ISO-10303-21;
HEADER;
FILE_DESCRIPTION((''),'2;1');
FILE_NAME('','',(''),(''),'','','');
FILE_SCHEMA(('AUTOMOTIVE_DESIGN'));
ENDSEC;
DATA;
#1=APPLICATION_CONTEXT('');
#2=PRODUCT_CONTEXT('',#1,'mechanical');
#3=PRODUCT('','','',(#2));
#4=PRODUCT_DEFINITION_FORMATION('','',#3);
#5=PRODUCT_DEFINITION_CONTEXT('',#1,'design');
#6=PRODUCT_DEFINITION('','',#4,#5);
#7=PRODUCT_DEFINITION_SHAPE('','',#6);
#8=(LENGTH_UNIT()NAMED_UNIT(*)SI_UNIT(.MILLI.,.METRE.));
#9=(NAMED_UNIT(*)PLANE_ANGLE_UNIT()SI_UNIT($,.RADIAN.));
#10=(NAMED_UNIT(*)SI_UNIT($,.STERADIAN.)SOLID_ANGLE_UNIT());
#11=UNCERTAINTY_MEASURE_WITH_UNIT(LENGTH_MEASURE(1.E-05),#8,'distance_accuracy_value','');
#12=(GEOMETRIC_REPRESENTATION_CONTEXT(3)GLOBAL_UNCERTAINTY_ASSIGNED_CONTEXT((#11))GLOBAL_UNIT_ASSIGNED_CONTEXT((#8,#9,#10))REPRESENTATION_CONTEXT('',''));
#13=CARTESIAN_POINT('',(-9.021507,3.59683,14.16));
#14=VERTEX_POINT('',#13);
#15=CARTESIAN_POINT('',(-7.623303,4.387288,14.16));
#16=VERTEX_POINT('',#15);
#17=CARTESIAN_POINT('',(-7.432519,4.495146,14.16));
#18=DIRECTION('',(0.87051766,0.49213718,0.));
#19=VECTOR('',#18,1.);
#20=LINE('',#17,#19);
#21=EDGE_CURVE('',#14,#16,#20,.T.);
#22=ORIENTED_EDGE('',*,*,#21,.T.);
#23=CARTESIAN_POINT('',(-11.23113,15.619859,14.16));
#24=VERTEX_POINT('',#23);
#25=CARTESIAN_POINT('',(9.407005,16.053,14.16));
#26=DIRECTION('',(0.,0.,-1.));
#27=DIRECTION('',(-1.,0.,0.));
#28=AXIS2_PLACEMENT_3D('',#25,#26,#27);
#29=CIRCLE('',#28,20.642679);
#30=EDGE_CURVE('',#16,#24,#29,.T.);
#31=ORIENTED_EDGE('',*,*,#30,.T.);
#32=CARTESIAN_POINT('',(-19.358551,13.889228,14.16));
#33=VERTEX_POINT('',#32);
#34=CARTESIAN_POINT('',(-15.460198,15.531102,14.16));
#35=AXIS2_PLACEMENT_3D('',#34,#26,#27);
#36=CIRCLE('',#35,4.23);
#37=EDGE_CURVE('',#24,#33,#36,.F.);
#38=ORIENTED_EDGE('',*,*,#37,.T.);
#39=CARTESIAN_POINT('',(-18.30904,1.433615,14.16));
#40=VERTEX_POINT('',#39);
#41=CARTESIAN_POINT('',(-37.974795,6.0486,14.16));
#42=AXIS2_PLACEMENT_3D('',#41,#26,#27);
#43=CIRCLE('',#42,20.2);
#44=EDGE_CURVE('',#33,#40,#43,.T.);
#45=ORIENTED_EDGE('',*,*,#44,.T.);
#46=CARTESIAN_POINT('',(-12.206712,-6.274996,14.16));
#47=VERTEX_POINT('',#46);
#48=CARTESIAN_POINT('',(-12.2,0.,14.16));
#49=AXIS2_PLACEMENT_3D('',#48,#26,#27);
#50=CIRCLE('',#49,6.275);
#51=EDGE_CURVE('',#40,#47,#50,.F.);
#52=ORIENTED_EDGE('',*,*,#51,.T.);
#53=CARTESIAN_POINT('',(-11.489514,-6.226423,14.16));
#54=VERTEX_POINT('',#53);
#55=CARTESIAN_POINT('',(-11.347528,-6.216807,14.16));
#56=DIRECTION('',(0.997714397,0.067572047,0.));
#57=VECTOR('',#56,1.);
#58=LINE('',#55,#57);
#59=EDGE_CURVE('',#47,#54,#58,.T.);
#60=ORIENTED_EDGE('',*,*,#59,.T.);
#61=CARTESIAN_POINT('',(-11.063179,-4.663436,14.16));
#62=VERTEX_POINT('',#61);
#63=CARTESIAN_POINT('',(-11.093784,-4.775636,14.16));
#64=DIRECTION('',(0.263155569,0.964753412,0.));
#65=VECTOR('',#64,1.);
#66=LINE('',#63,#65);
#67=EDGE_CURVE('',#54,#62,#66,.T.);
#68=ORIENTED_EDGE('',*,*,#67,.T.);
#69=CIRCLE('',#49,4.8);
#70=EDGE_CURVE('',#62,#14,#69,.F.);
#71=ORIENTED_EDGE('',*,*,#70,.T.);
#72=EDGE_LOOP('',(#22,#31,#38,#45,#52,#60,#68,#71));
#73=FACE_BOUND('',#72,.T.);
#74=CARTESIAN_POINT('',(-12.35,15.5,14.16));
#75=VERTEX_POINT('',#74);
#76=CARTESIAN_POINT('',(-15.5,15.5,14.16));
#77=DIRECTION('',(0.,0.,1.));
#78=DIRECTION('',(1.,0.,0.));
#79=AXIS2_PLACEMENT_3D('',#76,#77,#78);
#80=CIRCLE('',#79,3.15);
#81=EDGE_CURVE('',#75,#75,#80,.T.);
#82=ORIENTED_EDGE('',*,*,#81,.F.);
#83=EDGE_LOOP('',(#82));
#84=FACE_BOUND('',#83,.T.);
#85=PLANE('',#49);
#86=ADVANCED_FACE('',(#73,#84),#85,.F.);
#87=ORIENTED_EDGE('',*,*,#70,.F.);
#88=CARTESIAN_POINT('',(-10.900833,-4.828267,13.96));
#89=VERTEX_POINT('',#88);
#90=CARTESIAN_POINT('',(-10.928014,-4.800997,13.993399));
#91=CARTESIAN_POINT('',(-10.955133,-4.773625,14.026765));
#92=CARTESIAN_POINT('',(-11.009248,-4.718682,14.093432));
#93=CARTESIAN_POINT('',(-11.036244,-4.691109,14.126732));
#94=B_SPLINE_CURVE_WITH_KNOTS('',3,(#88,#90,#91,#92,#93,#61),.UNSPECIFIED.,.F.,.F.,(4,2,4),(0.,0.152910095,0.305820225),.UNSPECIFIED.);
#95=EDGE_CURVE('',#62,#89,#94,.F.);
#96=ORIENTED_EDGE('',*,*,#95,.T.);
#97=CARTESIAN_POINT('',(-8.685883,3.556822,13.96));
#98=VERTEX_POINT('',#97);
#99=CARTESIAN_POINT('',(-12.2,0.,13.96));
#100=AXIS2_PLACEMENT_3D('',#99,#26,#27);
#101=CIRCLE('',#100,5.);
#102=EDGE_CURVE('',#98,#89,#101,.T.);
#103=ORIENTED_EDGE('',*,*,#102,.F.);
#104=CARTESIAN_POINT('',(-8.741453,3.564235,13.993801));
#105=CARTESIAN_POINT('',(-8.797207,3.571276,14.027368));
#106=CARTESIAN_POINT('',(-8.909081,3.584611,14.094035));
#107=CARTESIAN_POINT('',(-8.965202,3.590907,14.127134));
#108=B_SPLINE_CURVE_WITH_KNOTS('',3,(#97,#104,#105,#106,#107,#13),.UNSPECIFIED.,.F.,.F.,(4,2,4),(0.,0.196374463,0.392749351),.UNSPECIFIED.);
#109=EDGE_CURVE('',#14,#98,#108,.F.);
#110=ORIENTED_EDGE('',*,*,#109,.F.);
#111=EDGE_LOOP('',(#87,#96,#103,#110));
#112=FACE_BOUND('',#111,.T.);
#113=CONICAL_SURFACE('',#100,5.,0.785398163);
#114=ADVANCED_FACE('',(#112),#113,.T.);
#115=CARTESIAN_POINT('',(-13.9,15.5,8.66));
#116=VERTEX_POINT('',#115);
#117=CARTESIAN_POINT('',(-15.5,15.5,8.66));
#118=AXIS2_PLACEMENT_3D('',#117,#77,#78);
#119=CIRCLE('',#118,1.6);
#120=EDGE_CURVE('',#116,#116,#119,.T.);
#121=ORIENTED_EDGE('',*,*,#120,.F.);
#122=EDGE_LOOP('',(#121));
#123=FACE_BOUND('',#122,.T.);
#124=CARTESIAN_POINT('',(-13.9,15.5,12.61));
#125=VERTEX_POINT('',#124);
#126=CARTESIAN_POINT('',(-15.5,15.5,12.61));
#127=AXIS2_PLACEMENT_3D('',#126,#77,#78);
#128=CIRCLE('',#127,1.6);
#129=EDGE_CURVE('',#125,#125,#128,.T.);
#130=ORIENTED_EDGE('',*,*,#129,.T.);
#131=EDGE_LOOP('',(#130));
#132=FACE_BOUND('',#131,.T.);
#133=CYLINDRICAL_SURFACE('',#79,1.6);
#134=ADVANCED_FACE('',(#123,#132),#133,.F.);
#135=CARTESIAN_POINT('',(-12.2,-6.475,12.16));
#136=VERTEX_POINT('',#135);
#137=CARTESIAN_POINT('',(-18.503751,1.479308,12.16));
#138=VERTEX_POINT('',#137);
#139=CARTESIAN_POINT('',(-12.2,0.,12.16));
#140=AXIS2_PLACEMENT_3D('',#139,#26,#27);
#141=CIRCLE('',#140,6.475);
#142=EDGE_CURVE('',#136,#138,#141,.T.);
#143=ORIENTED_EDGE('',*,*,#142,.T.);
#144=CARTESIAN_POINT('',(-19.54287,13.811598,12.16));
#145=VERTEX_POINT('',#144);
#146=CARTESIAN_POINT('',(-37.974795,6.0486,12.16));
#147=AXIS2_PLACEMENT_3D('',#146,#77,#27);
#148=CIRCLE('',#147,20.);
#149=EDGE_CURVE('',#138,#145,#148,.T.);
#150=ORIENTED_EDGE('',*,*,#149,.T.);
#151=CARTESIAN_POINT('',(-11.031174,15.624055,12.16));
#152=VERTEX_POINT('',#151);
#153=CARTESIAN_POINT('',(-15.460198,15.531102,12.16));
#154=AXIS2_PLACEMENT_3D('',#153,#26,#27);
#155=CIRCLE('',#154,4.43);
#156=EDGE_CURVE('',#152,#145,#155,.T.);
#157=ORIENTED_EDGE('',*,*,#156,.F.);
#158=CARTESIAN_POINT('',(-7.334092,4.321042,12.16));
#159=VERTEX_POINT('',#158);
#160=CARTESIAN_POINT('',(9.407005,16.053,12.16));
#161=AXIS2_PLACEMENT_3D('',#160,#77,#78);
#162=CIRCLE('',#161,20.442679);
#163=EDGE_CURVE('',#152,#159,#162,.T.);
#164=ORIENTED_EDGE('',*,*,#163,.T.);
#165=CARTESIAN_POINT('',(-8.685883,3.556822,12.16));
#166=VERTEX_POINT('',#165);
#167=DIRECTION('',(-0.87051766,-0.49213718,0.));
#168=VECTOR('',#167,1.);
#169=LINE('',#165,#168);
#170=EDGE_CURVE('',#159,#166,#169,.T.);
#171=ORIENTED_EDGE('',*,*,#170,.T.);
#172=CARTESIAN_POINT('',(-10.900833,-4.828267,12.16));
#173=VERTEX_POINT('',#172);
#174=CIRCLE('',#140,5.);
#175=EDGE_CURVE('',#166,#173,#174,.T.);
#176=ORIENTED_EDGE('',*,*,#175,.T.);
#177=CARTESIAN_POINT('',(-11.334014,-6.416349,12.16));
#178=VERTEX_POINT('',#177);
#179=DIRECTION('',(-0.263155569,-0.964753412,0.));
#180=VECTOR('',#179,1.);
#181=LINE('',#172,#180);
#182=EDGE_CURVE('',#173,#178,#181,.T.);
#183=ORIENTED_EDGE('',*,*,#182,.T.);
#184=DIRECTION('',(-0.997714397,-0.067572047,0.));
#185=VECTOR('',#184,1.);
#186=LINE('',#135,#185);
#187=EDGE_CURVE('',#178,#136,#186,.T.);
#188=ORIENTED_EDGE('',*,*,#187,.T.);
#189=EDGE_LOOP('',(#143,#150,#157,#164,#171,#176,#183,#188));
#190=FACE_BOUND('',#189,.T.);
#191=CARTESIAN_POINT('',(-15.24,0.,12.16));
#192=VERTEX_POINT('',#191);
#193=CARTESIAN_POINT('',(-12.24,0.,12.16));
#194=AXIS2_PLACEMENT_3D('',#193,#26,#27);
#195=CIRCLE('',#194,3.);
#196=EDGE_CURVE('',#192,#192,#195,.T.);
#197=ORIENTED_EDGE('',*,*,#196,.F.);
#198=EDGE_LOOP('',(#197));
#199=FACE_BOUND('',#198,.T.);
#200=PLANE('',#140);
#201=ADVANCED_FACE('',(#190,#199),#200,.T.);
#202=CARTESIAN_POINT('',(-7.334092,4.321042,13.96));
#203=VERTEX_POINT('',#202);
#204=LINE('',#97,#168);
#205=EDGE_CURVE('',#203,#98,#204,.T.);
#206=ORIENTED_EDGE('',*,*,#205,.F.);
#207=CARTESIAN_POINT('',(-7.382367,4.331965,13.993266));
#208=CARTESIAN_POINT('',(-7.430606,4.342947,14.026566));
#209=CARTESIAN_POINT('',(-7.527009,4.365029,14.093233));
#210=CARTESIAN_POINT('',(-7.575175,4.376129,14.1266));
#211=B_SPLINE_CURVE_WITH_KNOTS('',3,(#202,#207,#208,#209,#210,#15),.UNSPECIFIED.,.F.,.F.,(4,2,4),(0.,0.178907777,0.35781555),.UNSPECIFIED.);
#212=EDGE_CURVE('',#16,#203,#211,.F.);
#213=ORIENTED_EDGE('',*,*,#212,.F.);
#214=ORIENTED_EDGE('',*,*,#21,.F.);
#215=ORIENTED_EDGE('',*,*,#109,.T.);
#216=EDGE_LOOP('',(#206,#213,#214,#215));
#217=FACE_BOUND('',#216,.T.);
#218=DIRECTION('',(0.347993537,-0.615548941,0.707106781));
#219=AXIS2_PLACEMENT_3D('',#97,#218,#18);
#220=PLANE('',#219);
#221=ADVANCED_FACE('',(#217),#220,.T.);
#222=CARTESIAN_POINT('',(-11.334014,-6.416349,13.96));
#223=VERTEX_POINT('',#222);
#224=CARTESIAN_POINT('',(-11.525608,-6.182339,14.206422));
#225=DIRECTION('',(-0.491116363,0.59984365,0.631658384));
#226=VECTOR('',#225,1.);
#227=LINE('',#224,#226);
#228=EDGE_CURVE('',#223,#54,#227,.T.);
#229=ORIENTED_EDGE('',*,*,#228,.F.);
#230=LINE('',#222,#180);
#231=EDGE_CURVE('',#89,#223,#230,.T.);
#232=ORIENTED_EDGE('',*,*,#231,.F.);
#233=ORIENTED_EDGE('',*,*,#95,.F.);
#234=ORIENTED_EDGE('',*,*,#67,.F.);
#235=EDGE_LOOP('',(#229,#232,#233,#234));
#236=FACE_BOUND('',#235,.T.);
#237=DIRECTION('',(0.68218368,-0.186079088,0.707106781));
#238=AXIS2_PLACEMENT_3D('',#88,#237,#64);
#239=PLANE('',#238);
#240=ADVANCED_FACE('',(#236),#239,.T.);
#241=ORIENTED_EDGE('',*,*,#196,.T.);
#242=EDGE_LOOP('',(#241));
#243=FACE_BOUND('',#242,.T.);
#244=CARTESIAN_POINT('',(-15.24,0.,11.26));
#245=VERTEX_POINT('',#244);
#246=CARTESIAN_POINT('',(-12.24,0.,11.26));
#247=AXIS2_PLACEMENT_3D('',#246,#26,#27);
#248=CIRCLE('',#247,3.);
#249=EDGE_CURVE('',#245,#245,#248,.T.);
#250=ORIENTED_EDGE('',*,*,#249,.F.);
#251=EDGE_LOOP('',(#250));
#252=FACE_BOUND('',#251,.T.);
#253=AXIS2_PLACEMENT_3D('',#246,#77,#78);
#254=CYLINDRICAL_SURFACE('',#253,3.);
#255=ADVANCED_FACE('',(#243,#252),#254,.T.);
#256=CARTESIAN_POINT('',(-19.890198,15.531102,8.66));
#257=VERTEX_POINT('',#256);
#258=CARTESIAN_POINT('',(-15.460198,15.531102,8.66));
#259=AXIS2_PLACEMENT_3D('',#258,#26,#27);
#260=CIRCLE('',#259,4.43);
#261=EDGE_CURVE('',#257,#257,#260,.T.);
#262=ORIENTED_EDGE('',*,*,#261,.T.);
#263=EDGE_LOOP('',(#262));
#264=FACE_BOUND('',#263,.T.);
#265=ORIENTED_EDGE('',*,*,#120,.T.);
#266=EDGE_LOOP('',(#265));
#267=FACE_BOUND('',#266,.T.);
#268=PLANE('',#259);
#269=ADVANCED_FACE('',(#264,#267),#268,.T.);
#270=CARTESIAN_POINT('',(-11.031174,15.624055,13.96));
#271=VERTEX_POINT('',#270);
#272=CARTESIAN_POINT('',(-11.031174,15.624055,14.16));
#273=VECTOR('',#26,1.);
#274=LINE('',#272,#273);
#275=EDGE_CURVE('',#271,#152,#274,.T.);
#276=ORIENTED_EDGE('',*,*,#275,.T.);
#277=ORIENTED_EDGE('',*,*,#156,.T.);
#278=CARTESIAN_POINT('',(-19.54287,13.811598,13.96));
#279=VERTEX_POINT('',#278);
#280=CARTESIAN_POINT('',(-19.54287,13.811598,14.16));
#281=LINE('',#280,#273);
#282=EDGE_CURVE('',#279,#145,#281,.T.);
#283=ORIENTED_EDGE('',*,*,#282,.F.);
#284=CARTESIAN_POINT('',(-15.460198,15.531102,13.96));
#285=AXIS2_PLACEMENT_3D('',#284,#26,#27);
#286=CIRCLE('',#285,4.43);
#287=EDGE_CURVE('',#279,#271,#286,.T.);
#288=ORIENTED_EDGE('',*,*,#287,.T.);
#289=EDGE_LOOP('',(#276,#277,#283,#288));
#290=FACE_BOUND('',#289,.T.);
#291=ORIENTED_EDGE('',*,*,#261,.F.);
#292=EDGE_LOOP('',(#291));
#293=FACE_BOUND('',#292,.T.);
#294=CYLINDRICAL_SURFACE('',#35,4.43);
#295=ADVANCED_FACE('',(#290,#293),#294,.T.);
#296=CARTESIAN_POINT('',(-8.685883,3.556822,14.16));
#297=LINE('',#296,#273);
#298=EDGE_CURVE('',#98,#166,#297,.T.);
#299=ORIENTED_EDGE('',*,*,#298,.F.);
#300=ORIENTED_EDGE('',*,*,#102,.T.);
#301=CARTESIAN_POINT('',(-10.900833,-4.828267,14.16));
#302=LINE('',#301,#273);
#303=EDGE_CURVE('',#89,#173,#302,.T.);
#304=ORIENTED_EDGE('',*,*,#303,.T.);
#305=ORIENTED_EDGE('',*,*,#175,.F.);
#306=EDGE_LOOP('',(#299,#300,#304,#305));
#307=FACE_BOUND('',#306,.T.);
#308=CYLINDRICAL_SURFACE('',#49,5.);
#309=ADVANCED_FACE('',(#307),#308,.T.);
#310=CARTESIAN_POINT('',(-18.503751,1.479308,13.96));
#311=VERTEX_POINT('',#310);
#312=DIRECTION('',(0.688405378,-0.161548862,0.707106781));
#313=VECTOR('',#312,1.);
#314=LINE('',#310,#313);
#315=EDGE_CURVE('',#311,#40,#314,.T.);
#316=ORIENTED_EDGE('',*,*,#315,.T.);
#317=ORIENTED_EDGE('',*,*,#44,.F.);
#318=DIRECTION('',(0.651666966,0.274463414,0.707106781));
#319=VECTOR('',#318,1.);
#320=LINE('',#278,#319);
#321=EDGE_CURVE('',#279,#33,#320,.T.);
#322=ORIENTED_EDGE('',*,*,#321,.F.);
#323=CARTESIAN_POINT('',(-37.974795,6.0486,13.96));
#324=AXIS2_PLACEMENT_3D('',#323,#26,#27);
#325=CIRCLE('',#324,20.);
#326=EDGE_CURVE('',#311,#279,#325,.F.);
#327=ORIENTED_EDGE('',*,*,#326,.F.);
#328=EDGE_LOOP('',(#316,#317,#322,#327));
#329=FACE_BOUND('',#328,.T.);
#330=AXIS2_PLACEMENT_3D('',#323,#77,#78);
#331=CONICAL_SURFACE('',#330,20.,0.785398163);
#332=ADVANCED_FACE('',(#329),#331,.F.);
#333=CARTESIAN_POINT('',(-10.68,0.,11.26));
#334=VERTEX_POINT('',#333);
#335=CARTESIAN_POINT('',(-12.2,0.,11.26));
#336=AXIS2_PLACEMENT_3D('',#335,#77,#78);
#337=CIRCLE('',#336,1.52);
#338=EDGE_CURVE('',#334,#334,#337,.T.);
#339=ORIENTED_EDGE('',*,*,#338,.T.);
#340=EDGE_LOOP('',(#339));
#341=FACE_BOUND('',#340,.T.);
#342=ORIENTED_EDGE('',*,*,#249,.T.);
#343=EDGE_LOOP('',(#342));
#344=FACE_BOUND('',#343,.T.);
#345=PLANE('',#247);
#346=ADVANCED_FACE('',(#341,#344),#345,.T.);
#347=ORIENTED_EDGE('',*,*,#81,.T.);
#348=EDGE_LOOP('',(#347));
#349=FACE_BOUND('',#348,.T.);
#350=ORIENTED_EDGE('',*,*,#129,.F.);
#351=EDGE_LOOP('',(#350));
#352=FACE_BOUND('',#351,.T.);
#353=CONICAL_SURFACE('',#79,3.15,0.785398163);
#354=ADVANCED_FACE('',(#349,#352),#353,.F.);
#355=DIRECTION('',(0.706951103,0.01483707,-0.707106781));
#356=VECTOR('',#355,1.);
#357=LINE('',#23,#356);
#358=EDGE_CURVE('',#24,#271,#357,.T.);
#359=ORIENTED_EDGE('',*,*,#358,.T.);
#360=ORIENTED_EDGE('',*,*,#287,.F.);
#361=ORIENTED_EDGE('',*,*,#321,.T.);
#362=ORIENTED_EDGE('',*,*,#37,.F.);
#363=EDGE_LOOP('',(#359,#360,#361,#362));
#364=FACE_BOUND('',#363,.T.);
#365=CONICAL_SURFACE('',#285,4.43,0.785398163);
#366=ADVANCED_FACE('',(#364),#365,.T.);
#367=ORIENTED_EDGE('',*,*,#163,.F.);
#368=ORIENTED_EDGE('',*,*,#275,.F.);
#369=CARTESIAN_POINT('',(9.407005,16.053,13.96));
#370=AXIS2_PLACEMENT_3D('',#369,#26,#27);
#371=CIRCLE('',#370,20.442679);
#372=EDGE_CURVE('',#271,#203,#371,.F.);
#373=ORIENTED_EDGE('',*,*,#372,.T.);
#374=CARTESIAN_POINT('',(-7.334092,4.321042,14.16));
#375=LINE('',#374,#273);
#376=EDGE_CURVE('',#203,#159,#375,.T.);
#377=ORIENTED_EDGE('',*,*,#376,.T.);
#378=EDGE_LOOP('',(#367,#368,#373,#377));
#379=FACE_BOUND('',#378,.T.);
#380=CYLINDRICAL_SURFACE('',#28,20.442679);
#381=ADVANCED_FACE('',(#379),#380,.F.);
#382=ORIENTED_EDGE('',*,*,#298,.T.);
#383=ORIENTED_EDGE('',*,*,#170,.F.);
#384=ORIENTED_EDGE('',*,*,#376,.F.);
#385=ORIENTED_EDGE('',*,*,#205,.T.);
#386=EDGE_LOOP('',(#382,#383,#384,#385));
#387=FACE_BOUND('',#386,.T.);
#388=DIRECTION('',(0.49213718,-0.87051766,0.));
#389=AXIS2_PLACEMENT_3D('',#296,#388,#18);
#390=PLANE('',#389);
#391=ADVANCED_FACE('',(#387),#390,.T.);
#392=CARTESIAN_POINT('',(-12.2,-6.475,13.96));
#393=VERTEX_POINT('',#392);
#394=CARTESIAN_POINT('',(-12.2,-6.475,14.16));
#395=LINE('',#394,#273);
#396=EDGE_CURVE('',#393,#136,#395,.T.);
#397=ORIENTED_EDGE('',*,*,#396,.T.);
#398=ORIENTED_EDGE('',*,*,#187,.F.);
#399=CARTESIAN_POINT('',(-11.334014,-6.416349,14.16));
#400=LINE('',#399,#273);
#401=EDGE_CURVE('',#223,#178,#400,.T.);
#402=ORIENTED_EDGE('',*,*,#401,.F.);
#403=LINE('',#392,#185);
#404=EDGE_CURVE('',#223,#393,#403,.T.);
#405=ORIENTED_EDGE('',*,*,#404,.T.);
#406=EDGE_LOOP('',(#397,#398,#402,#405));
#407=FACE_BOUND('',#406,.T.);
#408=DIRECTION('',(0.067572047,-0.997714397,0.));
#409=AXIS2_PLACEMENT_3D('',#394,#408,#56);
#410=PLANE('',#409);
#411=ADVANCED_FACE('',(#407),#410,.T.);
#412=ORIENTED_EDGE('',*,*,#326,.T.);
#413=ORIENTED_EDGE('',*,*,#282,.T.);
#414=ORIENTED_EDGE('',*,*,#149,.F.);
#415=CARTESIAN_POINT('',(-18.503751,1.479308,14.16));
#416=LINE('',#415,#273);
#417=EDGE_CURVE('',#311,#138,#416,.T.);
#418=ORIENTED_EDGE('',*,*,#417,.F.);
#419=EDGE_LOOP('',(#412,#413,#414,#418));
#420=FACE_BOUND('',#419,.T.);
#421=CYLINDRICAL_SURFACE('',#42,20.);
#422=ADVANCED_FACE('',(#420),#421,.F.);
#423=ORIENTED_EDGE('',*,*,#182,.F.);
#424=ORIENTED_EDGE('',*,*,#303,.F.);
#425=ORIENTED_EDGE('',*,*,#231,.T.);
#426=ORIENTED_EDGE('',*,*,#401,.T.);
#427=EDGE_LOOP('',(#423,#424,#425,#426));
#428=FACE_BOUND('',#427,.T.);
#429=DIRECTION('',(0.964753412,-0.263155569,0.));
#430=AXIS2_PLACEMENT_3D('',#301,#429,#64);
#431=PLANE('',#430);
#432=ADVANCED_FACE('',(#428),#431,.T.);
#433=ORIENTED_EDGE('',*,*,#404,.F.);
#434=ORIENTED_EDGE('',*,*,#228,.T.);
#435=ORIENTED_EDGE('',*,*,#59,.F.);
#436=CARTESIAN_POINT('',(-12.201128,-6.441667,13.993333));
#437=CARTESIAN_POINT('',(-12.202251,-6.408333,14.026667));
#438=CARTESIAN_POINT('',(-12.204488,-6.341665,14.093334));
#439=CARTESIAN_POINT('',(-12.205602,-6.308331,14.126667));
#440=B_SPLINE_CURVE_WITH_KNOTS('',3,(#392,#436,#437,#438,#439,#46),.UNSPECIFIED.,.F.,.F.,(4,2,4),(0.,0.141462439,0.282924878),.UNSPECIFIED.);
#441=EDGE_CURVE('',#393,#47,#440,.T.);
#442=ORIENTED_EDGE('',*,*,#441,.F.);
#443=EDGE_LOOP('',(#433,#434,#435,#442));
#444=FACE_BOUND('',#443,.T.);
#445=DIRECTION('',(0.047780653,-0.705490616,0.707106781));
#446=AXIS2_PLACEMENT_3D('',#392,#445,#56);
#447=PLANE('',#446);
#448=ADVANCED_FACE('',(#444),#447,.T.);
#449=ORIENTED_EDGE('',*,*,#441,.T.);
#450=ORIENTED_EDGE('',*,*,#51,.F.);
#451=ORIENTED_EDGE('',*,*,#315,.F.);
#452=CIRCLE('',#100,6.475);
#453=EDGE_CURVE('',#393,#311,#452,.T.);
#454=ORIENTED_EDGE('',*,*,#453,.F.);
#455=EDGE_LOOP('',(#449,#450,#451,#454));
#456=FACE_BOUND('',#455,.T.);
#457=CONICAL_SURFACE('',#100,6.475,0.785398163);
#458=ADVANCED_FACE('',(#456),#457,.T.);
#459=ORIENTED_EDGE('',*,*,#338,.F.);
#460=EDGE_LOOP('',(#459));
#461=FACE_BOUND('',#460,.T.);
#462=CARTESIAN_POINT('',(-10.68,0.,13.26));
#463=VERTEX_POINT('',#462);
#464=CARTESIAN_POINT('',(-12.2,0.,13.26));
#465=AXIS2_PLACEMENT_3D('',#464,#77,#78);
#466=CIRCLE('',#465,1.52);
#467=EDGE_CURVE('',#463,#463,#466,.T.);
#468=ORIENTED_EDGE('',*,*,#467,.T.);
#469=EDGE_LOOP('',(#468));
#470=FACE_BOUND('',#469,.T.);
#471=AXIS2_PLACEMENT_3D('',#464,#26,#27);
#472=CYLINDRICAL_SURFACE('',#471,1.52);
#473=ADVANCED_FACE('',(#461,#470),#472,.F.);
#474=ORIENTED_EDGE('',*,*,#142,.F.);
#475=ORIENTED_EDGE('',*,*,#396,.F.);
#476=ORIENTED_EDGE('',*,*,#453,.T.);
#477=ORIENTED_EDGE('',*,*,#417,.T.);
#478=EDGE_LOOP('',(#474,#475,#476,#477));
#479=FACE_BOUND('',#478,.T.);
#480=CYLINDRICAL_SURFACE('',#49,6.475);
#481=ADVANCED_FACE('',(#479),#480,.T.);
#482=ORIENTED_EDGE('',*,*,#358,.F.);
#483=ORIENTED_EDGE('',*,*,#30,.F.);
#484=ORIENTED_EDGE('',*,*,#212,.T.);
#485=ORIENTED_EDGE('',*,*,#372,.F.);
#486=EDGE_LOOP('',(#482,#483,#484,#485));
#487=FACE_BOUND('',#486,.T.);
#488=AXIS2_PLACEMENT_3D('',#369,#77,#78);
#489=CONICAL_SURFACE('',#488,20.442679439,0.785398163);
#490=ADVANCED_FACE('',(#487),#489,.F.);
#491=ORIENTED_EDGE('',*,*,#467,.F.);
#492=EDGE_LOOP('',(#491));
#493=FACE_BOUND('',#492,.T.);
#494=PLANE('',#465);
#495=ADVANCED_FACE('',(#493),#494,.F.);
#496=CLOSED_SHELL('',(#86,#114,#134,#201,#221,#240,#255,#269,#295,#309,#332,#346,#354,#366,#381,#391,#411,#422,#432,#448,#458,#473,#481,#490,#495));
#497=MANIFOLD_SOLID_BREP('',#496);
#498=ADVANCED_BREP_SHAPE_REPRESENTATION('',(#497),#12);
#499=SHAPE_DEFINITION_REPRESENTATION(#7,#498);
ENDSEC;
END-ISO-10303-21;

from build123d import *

# Parameters (mm, degrees)
EXTRUDE_1_DEPTH              = 2
SKETCH_2_R                   = 4.43
EXTRUDE_2_DEPTH              = 3.5
HOLE_WIZARD_M3_1_D           = 3.2
HOLE_WIZARD_M3_1_CSINK_D     = 6.3
HOLE_WIZARD_M3_1_CSINK_ANGLE = 90
SKETCH_8_R                   = 3
EXTRUDE_3_DEPTH              = 0.9
SKETCH_10_R                  = 1.52
CUT_EXTRUDE_1_DEPTH          = 2
CHAMFER_1_SIZE               = 0.2


with BuildPart() as part:
    # 草图1 → 凸台-拉伸1 (new body)
    with BuildSketch(Plane(origin=(0, 0, 12.16), x_dir=(-1, 0, 0), z_dir=(0, 0, -1))):
        with BuildLine():
            Line((10.90083304, -4.828267309), (11.334013857, -6.416349492))
            Line((11.334013857, -6.416349492), (12.2, -6.475))
            ThreePointArc((12.2, -6.475), (17.274650028, -4.0216355), (18.503750642, 1.479308233))
            ThreePointArc((18.503750642, 1.479308233), (18.045416815, 7.727850312), (19.542869864, 13.811597708))
            ThreePointArc((19.542869864, 13.811597708), (16.382825591, 19.863959761), (11.031173747, 15.624055427))
            ThreePointArc((11.031173747, 15.624055427), (10.022718521, 9.69776671), (7.334091643, 4.321042298))
            Line((7.334091643, 4.321042298), (8.685883448, 3.556822298))
            ThreePointArc((8.685883448, 3.556822298), (7.365813774, -1.276966534), (10.90083304, -4.828267309))
        make_face()
    extrude(amount=-EXTRUDE_1_DEPTH)

    # 草图2 → 凸台-拉伸2 (add)
    with BuildSketch(Plane(origin=(0, 0, 12.16), x_dir=(-1, 0, 0), z_dir=(0, 0, -1))):
        with Locations((15.460198425, 15.531101684)):
            Circle(SKETCH_2_R)
    extrude(amount=EXTRUDE_2_DEPTH)

    # M3 平头机械螺钉的锥形沉头孔1 (through all)
    with Locations(Plane.XY.offset(14.16)):
        with Locations((-15.5, 15.5)):
            CounterSinkHole(HOLE_WIZARD_M3_1_D / 2, HOLE_WIZARD_M3_1_CSINK_D / 2, counter_sink_angle=HOLE_WIZARD_M3_1_CSINK_ANGLE)

    # 草图8 → 凸台-拉伸3 (add)
    with BuildSketch(Plane(origin=(0, 0, 12.16), x_dir=(-1, 0, 0), z_dir=(0, 0, -1))):
        with Locations((12.24, 0)):
            Circle(SKETCH_8_R)
    extrude(amount=EXTRUDE_3_DEPTH)

    # 草图10 → 切除-拉伸1 (cut)
    with BuildSketch(Plane.XY.offset(11.26)):
        with Locations((-12.2, 0)):
            Circle(SKETCH_10_R)
    extrude(amount=CUT_EXTRUDE_1_DEPTH, mode=Mode.SUBTRACT)

    # 倒角1
    chamfer_1_edges = [part.edges().sort_by_distance(p)[0] for p in [
        (-16.382825591, 19.863959761, 14.16),
        (-10.022718521, 9.69776671, 14.16),
        (-8.009987545, 3.938932298, 14.16),
        (-7.365813774, -1.276966534, 14.16),
        (-11.117423449, -5.622308401, 14.16),
        (-11.767006928, -6.445674746, 14.16),
        (-17.274650028, -4.0216355, 14.16),
        (-18.045416815, 7.727850312, 14.16),
    ]]
    chamfer(chamfer_1_edges, length=CHAMFER_1_SIZE)


solid = part.part
